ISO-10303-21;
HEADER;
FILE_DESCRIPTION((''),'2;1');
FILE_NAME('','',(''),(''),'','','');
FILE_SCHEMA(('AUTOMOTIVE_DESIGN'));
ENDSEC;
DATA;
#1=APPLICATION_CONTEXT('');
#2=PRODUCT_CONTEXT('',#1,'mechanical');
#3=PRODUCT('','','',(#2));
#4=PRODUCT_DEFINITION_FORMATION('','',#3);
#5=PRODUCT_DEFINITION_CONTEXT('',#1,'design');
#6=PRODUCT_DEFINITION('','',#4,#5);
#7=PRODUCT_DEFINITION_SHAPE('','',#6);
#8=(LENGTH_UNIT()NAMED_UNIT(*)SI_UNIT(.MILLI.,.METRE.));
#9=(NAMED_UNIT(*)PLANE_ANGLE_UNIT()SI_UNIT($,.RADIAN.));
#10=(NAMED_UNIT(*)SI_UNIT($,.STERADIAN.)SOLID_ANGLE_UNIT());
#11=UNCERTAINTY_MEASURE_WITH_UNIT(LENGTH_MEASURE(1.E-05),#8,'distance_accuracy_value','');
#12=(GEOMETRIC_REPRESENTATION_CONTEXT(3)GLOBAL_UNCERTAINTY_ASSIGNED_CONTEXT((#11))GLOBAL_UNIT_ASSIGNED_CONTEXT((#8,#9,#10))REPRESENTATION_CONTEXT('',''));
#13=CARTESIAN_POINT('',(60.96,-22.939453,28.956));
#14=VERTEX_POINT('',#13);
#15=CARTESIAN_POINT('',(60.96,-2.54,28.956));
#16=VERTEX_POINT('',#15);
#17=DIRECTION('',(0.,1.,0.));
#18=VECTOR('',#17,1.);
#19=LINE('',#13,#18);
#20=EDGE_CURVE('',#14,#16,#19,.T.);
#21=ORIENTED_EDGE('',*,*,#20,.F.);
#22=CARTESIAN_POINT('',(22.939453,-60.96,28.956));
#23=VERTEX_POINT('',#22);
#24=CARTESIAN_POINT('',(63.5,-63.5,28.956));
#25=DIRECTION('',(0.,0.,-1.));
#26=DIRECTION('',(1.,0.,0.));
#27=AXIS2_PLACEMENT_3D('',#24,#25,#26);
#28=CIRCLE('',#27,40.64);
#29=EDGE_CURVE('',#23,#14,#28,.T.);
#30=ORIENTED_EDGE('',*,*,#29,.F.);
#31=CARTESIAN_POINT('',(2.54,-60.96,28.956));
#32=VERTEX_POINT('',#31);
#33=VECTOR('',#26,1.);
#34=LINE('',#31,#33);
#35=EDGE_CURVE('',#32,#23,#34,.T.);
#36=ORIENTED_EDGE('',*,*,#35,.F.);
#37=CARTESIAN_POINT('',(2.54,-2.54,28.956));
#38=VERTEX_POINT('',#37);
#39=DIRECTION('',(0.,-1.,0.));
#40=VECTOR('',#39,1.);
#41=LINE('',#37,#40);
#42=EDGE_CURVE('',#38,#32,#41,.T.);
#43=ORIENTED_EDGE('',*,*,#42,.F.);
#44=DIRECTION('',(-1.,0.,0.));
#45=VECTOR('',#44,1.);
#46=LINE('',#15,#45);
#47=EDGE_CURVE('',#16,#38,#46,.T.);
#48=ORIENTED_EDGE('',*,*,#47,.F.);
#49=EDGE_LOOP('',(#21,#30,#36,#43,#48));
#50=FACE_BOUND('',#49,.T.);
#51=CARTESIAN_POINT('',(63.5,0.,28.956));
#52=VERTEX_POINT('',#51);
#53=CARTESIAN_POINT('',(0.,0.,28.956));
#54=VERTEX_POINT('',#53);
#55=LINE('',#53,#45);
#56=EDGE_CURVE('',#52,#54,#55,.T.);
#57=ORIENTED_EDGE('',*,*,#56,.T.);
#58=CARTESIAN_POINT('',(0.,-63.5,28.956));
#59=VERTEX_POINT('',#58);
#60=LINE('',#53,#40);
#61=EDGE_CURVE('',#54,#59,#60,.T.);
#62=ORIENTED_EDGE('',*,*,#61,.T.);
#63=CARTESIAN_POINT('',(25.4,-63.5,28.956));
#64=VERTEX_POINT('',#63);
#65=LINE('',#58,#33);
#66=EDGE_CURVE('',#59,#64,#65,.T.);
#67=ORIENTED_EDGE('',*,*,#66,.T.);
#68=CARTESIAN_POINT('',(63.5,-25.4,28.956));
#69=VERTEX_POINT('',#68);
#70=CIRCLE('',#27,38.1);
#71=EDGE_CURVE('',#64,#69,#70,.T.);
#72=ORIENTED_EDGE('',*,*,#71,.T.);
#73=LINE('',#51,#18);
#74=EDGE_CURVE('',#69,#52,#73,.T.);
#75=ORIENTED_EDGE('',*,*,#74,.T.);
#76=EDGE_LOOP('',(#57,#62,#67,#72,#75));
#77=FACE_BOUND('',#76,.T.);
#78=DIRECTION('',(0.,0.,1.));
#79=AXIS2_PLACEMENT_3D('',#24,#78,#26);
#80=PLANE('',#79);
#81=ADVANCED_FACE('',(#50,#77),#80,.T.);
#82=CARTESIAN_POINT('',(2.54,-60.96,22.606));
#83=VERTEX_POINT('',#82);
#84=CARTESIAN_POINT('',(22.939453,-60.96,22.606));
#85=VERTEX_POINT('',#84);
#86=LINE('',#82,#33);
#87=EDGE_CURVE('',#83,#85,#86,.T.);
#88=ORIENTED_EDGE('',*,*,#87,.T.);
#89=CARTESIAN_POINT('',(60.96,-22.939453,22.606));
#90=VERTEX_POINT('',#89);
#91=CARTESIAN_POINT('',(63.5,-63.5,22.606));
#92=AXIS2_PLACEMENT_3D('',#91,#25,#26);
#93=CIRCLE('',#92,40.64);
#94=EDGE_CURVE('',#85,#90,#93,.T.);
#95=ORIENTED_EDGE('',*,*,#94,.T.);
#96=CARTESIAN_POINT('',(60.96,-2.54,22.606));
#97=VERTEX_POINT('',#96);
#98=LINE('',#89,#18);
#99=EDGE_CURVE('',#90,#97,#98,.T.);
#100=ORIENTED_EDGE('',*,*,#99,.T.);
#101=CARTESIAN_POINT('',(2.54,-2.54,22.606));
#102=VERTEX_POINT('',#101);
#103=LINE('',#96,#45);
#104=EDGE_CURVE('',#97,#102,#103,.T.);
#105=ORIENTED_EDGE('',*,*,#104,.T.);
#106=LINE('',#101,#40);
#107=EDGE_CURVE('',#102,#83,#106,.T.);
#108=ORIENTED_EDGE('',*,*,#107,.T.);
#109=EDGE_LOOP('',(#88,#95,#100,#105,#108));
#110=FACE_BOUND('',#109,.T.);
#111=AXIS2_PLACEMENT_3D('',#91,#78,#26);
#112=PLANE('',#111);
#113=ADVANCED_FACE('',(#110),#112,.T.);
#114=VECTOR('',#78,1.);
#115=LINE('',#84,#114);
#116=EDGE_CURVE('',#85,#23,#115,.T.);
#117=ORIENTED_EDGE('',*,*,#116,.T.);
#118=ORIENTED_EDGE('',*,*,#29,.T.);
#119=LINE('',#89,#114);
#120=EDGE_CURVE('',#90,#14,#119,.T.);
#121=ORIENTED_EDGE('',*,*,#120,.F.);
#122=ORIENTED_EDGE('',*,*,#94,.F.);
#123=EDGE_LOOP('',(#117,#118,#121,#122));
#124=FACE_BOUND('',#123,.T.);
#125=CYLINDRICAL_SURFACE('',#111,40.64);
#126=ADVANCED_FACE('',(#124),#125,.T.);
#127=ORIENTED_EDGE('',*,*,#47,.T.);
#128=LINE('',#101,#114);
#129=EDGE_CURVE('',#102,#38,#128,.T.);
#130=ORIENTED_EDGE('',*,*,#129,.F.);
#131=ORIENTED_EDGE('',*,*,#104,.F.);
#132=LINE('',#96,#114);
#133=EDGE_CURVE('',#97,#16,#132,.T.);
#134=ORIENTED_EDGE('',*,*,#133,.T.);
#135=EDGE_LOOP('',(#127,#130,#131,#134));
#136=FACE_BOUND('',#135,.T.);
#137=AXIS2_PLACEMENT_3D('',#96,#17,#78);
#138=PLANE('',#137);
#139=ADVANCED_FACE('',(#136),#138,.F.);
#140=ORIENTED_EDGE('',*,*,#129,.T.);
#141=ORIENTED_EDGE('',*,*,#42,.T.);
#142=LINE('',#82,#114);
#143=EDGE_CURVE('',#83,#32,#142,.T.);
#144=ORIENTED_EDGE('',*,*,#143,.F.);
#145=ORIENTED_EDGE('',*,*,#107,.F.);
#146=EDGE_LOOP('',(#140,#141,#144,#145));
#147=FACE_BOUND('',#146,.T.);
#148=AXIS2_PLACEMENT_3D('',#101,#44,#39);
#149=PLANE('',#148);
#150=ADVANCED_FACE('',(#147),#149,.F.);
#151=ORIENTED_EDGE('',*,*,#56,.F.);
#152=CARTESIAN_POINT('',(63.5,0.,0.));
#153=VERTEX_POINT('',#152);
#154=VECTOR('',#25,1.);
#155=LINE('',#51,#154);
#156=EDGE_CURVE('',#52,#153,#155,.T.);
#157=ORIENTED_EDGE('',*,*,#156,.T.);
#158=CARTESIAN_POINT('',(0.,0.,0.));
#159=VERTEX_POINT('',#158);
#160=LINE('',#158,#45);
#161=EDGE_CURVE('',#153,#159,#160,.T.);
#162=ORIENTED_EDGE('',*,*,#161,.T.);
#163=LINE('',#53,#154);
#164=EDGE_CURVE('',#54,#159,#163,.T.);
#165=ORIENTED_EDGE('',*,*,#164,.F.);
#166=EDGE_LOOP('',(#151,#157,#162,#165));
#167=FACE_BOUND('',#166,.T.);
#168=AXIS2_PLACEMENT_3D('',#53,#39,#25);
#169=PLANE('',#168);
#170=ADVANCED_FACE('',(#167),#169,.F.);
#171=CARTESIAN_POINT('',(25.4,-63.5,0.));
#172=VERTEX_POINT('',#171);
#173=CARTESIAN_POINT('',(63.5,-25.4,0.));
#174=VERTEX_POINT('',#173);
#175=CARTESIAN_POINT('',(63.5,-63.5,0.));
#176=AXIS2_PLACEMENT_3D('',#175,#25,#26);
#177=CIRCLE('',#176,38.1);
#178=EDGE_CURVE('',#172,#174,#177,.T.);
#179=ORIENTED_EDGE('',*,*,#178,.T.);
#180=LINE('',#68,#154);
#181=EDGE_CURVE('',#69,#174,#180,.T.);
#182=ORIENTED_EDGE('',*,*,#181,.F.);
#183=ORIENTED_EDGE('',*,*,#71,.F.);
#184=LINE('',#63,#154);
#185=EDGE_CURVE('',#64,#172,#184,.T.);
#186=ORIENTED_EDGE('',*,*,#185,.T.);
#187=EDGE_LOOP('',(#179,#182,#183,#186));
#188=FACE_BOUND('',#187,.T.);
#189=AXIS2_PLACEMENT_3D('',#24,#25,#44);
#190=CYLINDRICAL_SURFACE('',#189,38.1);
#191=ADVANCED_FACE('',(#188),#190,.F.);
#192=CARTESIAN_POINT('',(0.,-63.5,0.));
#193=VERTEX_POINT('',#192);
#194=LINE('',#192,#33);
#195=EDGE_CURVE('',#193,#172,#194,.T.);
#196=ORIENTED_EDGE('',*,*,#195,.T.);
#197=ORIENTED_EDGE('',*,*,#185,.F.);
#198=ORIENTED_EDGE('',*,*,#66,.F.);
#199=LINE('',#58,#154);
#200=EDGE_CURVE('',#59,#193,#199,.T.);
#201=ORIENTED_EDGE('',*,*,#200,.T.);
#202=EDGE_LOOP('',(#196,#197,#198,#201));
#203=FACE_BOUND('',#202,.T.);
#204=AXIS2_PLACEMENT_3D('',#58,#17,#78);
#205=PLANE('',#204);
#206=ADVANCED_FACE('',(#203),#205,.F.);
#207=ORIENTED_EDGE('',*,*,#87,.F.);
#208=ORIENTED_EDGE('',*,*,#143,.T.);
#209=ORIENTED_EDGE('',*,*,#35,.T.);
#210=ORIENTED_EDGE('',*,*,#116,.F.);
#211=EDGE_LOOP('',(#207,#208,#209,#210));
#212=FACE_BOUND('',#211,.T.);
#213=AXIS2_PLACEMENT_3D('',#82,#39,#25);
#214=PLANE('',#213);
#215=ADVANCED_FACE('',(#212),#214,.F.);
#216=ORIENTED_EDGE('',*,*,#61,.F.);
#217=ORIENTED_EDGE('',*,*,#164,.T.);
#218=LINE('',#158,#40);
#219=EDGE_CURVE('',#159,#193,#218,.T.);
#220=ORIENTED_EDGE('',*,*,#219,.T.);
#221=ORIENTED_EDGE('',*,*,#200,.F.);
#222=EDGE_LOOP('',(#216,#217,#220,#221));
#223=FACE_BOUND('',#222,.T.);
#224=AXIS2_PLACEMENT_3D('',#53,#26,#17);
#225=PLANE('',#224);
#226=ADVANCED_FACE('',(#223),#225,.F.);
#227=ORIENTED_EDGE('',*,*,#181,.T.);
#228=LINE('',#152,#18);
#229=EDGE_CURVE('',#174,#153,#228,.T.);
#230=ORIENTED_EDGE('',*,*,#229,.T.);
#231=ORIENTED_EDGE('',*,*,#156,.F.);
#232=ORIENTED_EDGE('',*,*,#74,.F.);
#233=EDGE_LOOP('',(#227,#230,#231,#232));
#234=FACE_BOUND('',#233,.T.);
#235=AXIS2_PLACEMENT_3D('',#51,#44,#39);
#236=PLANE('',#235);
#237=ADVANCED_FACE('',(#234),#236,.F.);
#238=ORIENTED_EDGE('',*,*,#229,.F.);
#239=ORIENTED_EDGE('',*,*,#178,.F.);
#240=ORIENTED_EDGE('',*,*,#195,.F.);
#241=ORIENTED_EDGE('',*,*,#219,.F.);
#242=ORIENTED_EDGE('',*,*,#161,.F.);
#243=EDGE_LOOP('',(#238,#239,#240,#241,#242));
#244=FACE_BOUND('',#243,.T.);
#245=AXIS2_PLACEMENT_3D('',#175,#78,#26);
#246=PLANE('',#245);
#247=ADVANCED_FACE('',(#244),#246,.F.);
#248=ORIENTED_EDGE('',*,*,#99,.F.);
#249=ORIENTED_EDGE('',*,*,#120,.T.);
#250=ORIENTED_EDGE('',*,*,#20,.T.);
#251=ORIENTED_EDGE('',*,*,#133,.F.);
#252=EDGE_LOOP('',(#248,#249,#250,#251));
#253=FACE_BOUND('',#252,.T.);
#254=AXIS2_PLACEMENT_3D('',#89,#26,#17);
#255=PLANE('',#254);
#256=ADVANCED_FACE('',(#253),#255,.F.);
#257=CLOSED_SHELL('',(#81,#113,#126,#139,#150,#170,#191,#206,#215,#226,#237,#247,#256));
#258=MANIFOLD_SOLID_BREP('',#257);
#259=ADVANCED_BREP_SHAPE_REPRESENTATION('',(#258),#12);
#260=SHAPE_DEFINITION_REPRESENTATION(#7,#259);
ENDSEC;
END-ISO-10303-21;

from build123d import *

# Parameters (mm, degrees)
BOSS_EXTRUDE2_DEPTH = 28.956
CUT_EXTRUDE1_DEPTH  = 6.35


with BuildPart() as part:
    # Sketch1 → Boss-Extrude2 (new body)
    with BuildSketch(Plane.XY):
        with BuildLine():
            Line((0, 0), (63.5, 0))
            Line((63.5, 0), (63.5, -25.4))
            ThreePointArc((63.5, -25.4), (36.559231637, -36.559231637), (25.4, -63.5))
            Line((25.4, -63.5), (0, -63.5))
            Line((0, -63.5), (0, 0))
        make_face()
    extrude(amount=BOSS_EXTRUDE2_DEPTH)

    # Sketch2 → Cut-Extrude1 (cut)
    with BuildSketch(Plane.XY.offset(28.956)):
        with BuildLine():
            Line((2.54, -2.54), (2.54, -60.96))
            Line((2.54, -60.96), (22.939452666, -60.96))
            ThreePointArc((22.939452666, -60.96), (34.763180413, -34.763180413), (60.96, -22.939452666))
            Line((60.96, -22.939452666), (60.96, -2.54))
            Line((60.96, -2.54), (2.54, -2.54))
        make_face()
    extrude(amount=-CUT_EXTRUDE1_DEPTH, mode=Mode.SUBTRACT)


solid = part.part
